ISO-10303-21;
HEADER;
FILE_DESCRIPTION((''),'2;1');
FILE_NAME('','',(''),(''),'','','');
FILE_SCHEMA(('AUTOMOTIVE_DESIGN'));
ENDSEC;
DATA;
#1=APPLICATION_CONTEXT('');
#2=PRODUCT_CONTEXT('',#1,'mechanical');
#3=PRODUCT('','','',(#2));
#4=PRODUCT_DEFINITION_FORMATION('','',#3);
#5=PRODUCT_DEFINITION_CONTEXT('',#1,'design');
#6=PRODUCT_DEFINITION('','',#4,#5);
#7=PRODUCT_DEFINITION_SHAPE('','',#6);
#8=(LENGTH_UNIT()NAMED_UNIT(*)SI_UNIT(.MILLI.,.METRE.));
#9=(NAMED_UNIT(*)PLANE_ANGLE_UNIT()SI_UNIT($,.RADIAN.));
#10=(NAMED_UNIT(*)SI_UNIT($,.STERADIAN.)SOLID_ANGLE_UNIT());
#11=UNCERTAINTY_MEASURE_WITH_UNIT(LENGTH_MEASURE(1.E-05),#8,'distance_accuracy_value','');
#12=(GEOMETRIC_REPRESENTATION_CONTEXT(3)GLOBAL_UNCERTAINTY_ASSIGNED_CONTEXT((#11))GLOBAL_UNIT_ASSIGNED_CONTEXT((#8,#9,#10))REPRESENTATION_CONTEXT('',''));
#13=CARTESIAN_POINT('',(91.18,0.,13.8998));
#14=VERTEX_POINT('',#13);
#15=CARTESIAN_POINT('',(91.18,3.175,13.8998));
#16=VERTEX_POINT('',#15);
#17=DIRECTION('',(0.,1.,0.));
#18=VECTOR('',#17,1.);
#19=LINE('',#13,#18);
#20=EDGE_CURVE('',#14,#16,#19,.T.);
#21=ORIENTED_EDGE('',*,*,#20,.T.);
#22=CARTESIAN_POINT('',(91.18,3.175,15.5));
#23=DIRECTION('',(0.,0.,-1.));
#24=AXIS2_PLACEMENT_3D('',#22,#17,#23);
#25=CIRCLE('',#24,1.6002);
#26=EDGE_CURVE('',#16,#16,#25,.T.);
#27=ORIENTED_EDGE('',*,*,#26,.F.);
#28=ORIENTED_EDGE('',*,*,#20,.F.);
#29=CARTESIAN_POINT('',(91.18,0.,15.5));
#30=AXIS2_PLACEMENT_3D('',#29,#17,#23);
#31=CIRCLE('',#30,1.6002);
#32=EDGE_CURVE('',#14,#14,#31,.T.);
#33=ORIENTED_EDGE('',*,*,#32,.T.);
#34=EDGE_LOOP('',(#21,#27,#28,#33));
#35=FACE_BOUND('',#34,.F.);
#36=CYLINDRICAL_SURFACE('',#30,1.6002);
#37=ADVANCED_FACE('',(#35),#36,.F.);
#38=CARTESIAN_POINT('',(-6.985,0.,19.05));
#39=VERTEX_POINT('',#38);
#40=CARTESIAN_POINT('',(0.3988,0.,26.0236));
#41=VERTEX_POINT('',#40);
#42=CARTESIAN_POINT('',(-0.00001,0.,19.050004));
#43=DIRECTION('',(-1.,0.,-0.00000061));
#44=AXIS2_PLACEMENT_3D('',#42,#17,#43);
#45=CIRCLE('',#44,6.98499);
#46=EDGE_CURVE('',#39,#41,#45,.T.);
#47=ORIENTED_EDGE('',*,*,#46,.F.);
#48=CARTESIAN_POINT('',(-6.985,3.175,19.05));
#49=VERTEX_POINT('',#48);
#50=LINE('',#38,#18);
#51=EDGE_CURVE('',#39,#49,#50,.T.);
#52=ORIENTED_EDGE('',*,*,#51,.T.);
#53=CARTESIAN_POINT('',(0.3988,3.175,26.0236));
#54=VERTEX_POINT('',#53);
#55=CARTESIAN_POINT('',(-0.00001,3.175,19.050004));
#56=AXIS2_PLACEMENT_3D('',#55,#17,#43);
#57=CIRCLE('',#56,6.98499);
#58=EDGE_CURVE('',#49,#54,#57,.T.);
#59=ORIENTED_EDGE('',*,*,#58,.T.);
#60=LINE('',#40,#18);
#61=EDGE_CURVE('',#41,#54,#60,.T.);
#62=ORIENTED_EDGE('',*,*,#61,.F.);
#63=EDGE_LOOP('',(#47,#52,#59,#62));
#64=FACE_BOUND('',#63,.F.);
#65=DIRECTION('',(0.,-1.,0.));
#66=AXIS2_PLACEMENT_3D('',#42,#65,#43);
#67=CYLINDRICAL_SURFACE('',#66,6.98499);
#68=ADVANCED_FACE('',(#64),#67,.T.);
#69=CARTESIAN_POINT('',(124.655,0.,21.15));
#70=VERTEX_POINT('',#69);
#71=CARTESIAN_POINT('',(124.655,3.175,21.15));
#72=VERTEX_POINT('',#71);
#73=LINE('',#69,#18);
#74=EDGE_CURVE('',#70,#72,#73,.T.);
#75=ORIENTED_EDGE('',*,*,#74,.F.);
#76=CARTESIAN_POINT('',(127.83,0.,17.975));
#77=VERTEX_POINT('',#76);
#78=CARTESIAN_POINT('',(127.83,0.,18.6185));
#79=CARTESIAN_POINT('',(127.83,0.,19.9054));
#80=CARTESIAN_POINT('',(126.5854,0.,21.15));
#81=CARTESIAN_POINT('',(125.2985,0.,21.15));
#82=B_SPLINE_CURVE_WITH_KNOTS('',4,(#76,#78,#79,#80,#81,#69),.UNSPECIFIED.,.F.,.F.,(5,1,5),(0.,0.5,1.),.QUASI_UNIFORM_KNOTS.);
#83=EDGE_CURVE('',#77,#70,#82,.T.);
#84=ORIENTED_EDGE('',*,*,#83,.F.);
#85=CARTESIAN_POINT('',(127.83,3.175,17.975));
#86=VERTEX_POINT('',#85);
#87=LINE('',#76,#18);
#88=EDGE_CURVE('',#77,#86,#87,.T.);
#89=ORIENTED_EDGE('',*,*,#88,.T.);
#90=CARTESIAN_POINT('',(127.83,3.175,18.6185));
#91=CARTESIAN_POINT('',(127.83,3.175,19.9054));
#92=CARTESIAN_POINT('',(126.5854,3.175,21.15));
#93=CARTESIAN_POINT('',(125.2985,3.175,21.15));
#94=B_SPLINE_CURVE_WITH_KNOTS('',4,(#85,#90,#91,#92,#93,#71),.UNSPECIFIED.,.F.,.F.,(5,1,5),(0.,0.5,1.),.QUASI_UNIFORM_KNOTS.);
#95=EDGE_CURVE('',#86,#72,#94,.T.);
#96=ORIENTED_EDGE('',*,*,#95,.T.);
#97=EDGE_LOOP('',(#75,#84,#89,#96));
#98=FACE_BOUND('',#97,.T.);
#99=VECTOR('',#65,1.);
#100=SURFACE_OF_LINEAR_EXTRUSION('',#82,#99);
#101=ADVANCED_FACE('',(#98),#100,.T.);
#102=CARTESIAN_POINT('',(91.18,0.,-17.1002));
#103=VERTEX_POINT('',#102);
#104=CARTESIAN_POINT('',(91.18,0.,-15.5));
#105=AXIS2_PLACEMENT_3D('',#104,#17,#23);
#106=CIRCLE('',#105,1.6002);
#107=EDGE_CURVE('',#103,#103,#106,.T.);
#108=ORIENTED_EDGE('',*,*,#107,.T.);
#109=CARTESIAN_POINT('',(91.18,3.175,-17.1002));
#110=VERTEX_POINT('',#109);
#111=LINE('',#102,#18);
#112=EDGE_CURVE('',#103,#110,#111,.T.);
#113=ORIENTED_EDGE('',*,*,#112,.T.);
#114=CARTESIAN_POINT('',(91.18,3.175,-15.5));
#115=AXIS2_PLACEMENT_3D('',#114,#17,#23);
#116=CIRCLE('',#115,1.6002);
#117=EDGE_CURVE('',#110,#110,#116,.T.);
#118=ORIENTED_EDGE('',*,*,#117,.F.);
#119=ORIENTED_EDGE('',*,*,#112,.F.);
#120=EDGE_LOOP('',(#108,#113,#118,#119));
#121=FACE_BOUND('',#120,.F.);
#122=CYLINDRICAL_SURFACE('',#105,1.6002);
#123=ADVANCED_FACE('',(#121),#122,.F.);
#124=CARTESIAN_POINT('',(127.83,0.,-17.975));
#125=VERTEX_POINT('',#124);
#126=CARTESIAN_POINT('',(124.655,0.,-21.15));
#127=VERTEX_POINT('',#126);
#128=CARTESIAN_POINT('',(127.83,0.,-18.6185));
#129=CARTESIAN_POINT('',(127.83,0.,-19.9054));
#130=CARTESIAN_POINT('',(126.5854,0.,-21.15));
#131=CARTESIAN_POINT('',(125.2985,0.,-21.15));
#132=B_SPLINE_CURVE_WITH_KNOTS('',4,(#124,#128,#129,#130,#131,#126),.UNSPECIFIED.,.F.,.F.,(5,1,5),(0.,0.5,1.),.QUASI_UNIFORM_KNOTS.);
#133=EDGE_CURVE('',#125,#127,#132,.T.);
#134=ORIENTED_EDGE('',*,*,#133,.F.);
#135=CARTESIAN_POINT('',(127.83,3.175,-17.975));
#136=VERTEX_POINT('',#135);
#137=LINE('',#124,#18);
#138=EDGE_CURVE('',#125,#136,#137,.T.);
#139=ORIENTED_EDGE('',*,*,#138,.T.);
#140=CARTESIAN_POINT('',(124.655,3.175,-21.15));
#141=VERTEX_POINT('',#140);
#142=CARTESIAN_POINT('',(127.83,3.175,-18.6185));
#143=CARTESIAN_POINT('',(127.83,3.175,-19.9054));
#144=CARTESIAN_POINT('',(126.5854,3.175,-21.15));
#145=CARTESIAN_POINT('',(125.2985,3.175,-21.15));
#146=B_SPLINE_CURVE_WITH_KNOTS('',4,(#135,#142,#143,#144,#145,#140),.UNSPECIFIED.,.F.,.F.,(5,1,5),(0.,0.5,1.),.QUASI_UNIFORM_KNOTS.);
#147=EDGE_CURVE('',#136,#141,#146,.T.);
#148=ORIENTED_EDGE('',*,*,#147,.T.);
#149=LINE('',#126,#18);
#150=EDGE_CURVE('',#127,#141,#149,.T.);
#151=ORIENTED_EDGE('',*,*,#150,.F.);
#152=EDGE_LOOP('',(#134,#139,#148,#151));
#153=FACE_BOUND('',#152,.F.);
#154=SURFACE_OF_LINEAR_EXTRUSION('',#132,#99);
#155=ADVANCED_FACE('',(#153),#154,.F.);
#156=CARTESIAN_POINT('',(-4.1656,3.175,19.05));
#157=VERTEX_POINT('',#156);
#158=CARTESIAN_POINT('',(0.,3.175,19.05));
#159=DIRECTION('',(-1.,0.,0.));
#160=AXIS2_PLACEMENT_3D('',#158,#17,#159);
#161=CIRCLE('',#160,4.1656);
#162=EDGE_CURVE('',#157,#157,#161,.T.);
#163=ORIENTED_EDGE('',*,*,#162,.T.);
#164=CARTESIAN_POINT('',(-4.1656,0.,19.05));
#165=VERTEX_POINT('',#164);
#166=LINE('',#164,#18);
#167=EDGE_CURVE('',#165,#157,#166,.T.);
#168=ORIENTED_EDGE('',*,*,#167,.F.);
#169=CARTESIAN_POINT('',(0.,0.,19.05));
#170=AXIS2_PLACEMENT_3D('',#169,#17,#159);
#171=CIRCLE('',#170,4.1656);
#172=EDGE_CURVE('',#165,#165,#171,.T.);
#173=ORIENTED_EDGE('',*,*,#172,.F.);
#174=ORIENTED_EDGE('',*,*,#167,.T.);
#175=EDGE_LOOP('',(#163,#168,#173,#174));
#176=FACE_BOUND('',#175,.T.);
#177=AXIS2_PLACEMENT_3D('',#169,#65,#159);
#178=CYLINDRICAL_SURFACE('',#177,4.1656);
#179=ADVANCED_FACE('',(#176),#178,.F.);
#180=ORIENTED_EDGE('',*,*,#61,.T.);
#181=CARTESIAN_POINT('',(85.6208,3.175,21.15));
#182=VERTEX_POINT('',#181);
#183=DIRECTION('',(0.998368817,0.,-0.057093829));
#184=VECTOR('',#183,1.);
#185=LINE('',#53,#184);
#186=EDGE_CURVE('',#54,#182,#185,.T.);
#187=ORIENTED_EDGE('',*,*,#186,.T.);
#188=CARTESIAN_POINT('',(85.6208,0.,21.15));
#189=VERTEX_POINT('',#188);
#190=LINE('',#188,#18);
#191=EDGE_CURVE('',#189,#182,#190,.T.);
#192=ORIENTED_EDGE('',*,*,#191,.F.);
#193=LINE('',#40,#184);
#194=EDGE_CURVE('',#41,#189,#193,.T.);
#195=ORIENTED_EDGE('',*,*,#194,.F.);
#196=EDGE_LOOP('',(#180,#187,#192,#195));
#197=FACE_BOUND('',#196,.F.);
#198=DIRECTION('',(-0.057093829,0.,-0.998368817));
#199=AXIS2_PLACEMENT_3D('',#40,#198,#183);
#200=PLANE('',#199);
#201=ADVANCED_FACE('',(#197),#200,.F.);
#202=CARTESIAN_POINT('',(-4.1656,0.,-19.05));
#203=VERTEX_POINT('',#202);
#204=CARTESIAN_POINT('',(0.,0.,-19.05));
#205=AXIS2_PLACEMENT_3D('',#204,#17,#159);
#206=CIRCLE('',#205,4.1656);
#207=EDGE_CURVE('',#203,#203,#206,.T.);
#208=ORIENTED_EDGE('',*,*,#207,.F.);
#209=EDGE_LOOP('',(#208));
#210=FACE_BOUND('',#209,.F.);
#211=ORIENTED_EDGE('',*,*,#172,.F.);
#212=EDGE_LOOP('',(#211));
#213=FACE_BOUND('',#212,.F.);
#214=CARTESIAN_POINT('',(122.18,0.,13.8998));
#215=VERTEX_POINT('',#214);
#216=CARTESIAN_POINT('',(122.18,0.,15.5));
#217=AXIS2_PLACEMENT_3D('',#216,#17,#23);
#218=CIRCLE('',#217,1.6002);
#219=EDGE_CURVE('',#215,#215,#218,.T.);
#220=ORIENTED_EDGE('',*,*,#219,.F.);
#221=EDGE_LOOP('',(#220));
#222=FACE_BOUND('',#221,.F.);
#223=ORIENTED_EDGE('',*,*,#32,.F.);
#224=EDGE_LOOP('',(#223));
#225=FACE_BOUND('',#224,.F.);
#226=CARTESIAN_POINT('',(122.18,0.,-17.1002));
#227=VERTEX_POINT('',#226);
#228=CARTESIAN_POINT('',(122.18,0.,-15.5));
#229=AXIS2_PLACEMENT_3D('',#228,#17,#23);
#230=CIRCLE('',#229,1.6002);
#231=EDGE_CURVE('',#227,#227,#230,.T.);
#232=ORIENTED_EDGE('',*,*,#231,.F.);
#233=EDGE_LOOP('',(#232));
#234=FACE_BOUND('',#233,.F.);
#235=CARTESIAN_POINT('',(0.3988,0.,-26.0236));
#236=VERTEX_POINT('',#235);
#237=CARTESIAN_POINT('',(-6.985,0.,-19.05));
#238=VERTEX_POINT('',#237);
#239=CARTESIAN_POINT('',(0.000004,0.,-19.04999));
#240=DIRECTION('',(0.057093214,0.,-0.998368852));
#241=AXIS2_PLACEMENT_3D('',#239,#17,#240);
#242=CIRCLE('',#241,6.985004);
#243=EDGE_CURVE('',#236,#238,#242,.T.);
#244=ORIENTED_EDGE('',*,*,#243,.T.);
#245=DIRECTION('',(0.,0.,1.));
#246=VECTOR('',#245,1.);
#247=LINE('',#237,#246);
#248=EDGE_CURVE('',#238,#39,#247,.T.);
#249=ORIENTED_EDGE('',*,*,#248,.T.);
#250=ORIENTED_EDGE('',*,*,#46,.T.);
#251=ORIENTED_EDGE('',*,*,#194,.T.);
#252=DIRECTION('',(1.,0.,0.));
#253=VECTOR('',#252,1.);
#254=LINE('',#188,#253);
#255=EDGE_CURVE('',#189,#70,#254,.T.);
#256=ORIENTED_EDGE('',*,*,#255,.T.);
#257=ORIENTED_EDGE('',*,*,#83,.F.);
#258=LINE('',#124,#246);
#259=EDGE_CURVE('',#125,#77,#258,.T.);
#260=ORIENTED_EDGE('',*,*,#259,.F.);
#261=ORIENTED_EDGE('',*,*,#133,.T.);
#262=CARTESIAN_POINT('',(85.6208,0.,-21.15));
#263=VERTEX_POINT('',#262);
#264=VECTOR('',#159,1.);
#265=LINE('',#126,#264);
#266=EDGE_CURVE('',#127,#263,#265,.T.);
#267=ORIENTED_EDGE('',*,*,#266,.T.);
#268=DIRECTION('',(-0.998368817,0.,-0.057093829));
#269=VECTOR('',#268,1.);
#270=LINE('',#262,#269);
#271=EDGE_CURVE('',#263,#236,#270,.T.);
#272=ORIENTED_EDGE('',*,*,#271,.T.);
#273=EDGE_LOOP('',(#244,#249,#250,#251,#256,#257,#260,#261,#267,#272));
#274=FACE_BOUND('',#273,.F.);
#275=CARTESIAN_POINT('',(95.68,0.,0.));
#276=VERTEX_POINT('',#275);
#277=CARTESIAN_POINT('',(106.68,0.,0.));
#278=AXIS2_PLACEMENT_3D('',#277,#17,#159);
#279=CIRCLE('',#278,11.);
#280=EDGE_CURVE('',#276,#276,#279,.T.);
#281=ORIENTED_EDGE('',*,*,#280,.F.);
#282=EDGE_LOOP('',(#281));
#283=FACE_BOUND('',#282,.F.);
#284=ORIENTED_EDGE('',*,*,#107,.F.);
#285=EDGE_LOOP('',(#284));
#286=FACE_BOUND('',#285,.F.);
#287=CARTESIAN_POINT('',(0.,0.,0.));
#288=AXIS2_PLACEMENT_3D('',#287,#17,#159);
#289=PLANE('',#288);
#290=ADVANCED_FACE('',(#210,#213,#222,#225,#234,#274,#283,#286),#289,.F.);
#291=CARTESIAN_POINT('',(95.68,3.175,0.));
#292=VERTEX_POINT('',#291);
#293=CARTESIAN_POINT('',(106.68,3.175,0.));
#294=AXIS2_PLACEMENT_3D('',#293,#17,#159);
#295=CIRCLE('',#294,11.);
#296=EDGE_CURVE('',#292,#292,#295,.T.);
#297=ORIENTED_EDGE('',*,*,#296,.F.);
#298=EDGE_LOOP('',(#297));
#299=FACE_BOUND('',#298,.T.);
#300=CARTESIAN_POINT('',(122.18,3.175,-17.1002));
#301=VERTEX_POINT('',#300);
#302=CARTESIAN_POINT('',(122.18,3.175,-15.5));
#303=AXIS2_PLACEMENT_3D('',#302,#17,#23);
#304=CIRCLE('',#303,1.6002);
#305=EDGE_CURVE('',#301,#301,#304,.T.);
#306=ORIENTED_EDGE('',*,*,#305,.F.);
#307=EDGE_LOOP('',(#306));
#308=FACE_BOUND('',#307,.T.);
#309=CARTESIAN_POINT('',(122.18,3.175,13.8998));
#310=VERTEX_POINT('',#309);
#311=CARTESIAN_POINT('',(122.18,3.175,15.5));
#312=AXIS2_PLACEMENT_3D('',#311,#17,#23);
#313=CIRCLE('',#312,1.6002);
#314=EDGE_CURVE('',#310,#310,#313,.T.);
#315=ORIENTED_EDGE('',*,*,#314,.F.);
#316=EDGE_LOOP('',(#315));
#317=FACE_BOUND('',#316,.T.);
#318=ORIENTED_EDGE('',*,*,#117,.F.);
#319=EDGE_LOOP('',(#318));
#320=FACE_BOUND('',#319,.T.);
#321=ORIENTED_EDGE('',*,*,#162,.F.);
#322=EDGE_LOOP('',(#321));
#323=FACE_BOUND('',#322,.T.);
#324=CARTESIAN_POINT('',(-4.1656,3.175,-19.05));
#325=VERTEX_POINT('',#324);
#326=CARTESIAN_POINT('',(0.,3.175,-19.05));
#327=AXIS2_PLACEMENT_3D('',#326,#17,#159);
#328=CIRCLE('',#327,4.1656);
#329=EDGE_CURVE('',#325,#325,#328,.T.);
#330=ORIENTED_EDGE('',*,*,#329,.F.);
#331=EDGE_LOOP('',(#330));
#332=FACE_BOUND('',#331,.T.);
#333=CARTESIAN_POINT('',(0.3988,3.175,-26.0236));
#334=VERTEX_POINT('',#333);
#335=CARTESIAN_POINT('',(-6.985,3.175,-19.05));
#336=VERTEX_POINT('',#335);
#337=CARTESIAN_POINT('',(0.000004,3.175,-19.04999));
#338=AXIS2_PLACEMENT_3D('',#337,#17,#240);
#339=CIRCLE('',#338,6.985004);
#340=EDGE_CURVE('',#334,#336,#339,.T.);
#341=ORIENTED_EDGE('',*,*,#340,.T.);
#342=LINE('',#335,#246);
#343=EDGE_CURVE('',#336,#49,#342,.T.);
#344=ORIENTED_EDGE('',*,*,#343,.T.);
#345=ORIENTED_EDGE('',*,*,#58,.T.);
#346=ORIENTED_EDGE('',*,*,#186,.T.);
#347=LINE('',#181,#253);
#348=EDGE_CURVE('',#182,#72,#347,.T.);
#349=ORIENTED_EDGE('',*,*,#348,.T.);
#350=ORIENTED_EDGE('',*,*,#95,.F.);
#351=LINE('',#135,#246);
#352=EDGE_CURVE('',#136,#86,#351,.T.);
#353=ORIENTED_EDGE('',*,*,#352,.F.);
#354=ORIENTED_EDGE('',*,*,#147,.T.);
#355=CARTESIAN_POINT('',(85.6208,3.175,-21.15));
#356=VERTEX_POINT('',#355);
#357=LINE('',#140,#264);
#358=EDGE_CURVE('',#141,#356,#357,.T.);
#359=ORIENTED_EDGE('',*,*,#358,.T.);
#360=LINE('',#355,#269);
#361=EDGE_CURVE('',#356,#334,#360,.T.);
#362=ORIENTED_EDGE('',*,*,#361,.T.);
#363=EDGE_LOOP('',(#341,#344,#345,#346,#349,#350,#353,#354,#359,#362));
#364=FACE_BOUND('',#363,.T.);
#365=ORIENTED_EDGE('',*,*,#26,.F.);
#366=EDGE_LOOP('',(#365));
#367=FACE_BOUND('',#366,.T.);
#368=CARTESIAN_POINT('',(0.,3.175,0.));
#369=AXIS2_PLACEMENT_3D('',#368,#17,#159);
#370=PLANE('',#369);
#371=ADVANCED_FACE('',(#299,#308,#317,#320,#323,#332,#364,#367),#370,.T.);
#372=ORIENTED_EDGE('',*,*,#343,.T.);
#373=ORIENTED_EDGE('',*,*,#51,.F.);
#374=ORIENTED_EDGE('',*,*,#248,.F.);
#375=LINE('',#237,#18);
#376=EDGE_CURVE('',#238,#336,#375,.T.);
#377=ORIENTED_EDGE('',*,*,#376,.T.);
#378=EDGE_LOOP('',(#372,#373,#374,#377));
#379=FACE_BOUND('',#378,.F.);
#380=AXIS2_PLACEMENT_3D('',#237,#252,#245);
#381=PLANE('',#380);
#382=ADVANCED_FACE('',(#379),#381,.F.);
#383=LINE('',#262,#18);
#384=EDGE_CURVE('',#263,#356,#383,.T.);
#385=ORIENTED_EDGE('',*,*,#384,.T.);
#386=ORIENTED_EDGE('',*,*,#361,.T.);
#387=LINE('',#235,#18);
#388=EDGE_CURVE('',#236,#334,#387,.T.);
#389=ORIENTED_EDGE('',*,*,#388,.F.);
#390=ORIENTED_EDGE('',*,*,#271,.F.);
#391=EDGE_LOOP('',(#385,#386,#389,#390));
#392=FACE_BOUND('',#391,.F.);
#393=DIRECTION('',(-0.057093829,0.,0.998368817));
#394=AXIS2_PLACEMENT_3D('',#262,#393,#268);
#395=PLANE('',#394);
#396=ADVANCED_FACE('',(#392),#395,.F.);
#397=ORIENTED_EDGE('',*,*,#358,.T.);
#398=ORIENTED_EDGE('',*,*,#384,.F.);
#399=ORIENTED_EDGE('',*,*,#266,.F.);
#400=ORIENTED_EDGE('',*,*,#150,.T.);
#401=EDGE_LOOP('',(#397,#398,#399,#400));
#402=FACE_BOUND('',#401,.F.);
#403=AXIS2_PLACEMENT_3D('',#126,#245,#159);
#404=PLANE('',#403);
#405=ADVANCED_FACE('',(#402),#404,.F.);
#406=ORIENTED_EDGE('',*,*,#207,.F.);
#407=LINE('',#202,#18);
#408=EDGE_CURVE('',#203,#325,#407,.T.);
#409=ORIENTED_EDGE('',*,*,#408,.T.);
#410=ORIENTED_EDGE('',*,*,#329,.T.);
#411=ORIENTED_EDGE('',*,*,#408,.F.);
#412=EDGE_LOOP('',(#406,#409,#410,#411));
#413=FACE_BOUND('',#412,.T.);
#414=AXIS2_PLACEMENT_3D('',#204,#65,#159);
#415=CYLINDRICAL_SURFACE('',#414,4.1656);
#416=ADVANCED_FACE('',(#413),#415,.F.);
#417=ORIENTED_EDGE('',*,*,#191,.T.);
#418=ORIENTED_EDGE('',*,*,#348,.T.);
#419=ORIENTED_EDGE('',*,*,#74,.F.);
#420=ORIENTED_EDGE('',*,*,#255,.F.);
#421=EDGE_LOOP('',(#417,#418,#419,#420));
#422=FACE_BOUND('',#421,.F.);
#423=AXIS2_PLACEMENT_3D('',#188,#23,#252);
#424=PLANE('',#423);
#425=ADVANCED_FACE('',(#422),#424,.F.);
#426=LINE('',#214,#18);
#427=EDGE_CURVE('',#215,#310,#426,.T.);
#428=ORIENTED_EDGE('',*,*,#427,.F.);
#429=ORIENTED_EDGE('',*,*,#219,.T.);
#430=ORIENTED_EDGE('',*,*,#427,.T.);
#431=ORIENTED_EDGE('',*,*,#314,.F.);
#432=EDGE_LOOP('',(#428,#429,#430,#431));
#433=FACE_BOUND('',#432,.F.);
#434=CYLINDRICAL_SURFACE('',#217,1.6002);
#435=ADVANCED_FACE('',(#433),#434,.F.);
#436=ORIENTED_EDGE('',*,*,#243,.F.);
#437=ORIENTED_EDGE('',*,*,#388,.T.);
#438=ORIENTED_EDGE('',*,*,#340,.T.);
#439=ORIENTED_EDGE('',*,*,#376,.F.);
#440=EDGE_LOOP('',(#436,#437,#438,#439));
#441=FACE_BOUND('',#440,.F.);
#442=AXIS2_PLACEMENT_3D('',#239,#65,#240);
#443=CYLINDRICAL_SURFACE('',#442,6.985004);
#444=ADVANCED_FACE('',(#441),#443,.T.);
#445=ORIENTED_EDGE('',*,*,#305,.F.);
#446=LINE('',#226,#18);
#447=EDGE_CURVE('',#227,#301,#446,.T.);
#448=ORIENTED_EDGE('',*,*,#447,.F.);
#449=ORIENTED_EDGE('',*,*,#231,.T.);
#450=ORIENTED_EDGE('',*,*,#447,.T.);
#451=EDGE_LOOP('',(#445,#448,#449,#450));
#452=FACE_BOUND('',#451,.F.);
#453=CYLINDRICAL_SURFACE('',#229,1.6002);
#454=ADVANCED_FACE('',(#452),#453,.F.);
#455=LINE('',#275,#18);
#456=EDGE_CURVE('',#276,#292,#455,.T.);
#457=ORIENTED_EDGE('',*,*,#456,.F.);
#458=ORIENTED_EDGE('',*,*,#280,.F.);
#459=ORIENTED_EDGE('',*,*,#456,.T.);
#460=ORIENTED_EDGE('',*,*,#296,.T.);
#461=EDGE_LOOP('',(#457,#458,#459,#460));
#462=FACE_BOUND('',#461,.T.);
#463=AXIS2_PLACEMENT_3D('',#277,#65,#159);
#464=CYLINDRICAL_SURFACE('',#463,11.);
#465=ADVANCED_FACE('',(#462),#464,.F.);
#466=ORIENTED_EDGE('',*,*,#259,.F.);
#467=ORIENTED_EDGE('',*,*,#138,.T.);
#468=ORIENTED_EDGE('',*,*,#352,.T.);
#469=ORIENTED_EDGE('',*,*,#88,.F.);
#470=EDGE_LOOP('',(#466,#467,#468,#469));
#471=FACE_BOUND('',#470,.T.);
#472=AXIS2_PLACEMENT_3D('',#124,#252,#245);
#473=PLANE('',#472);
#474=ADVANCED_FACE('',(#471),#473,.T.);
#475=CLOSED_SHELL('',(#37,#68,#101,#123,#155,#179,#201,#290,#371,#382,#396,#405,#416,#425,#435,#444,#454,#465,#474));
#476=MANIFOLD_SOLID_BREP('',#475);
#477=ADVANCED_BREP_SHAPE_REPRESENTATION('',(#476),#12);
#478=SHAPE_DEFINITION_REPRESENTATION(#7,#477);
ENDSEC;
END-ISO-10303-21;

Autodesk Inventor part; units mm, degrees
ref_plane "YZ Plane" through (0, 0, 0) normal (1, 0, 0) x (0, 1, 0)
ref_plane "XZ Plane" through (0, 0, 0) normal (0, 1, 0) x (-1, 0, 0)
ref_plane "XY Plane" through (0, 0, 0) normal (0, 0, 1) x (1, 0, 0)
sketch "Sketch1" plane through (0, 0, 0) normal (0, 1, 0) x (-1, 0, 0)
  circle A0 centre (-106.68, 0) radius 11
  circle A1 centre (0, 19.05) radius 4.1656
  circle A2 centre (0, -19.05) radius 4.1656
  arc A3 (6.985, 19.05) -> (-0.3988, 26.0236) centre (0, 19.05) ccw
  arc A4 (-0.3988, -26.0236) -> (6.985, -19.05) centre (0, -19.05) ccw
  line L0 (-85.6208, 21.15) -> (-124.655, 21.15)
  line L1 (-124.655, -21.15) -> (-85.6208, -21.15)
  line L2 (-127.83, -17.975) -> (-127.83, 17.975)
  line L3 (6.985, -19.05) -> (6.985, 19.05)
  spline S0 degree 4 poles (-127.83, 17.975) (-127.83, 18.6185) (-127.83, 19.9054) (-126.5854, 21.15) (-125.2985, 21.15) (-124.655, 21.15) knots 0 0 0 0 0 0.5 1 1 1 1 1
  spline S1 degree 4 poles (-127.83, -17.975) (-127.83, -18.6185) (-127.83, -19.9054) (-126.5854, -21.15) (-125.2985, -21.15) (-124.655, -21.15) knots 0 0 0 0 0 0.5 1 1 1 1 1
  line L4 (-85.6208, 21.15) -> (-85.6208, -21.15) construction
  line L5 (-0.3988, 26.0236) -> (-85.6208, 21.15)
  line L6 (-85.6208, -21.15) -> (-0.3988, -26.0236)
  point P0 (0, 0)
  point P1 (-122.18, 15.5)
  point P2 (-91.18, 15.5)
  point P3 (-91.18, -15.5)
  point P4 (-122.18, -15.5)
  dimension "d0" = 106.68
  dimension "d1" = 19.05
  dimension "d2" = 19.05
  dimension "d5" = 22
  dimension "d8" = 8.3312
  dimension "d9" = 8.3312
  dimension "d10" = 13.97
  dimension "d11" = 13.97
  dimension "d52" = 134.815
  dimension "d53" = 42.3
  dimension "d54" = 6.985
  dimension "d55" = 21.15
  dimension "d57" = 98.165
  dimension "d59" = 98.165
  dimension "d61" = 113.665
  dimension "d62" = 129.165
  dimension "d64" = 129.165
  dimension "d66" = 131.64
  dimension "d67" = 131.64
  dimension "d70" = 3.175
  dimension "d71" = 3.175
  dimension "d72" = 5.65
  dimension "d73" = 5.65
  dimension "d74" = 5.65
  dimension "d75" = 5.65
  dimension "d76" = 93.273
  dimension "d77" = 42.3
extrude "Extrusion1" add sketch "Sketch1" along normal blind 3.175
hole "Hole1" at (106.68, 0, 0) at (0, 0, 19.05) at (0, 0, -19.05) at (122.18, 0, 15.5) at (91.18, 0, 15.5) at (91.18, 0, -15.5) at (122.18, 0, -15.5) direction (0, 1, 0) diameter 3.2004 end through all clearance for "Flat Head Machine Screw" size "M3" standard "Ansi Metric M Profile"
equation "\"d2\" = d1"
equation "\"d9\" = d8"
properties part number "x_motor_mount"
